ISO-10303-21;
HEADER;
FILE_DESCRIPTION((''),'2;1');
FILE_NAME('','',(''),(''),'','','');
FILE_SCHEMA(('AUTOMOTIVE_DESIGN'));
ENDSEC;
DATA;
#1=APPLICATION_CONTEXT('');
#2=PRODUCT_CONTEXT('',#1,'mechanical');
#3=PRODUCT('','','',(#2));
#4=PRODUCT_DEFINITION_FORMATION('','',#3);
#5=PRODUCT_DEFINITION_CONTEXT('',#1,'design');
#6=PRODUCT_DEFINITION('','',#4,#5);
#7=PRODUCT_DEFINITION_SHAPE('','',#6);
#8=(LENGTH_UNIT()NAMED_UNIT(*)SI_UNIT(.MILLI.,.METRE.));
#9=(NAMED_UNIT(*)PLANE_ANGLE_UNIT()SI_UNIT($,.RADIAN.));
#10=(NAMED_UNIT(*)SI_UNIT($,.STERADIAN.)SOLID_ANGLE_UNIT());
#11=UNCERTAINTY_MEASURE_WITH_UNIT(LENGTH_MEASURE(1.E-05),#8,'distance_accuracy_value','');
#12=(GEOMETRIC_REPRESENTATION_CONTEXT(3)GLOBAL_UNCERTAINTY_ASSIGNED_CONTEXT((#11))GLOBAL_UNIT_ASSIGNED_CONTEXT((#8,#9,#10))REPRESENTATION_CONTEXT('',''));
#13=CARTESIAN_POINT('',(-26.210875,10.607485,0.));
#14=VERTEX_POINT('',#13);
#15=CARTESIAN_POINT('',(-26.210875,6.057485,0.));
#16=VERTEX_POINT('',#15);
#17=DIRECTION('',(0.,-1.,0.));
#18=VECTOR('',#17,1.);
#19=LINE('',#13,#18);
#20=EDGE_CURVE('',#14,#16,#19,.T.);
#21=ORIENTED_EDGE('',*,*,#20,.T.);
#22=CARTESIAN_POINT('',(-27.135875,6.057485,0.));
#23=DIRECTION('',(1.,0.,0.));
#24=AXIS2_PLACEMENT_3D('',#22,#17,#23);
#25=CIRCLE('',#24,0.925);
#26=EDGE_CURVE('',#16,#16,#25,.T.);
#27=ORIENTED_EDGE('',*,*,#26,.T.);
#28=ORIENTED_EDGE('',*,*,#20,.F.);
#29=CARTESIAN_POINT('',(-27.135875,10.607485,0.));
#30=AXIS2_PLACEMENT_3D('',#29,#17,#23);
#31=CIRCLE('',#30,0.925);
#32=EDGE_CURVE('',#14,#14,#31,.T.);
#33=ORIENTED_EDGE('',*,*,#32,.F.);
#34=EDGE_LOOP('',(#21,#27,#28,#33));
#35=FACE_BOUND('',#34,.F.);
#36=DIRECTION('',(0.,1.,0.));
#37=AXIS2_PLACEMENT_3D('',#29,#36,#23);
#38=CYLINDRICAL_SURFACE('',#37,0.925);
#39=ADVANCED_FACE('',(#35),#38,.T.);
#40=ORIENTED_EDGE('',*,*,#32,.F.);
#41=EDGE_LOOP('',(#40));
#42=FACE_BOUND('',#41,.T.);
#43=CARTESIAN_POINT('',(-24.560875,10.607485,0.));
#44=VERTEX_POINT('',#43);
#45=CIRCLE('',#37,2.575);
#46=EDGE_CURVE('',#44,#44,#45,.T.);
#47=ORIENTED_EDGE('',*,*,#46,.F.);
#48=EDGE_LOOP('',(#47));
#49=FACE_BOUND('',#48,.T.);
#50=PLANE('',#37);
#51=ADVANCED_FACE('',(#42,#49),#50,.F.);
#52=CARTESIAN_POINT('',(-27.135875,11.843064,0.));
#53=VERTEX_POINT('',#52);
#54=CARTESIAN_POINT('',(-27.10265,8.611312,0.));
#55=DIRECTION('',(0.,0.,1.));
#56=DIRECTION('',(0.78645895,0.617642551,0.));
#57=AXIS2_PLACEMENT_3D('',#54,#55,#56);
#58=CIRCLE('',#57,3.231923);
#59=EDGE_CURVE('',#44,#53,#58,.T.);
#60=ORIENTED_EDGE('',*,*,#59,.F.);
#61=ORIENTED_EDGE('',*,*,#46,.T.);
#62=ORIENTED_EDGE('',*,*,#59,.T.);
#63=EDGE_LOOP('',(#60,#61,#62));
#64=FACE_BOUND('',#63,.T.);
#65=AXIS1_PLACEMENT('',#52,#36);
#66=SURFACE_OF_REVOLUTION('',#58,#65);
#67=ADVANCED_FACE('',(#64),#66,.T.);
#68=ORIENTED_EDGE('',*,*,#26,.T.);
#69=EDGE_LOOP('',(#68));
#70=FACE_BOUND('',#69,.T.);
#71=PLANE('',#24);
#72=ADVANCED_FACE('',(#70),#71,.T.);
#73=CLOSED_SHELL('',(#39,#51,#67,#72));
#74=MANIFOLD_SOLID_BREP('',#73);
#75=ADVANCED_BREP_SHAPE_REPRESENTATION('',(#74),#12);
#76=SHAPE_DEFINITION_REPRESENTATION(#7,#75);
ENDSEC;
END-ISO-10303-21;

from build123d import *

# Parameters (mm, degrees)
F2_R     = 0.925
F3_DEPTH = 4.55


with BuildPart() as f1:
    # F0 (on Top) → F1 (revolve)
    with BuildSketch(Plane.XY):
        with BuildLine():
            Line((-27.135875, 11.843064), (-27.135875, 10.607485))
            Line((-27.135875, 10.607485), (-24.560875, 10.607485))
            ThreePointArc((-24.560875, 10.607485), (-25.704484, 11.525151), (-27.135875, 11.843064))
        make_face()
    revolve(axis=Axis((-27.135875, 11.843064, 0), (0, 1, 0)))

    # F2 (on face) → F3 (join)
    with BuildSketch(Plane.XZ.offset(-10.607485)):
        with Locations((-27.135875, 0)):
            Circle(F2_R)
    extrude(amount=F3_DEPTH)


solid = f1.part
